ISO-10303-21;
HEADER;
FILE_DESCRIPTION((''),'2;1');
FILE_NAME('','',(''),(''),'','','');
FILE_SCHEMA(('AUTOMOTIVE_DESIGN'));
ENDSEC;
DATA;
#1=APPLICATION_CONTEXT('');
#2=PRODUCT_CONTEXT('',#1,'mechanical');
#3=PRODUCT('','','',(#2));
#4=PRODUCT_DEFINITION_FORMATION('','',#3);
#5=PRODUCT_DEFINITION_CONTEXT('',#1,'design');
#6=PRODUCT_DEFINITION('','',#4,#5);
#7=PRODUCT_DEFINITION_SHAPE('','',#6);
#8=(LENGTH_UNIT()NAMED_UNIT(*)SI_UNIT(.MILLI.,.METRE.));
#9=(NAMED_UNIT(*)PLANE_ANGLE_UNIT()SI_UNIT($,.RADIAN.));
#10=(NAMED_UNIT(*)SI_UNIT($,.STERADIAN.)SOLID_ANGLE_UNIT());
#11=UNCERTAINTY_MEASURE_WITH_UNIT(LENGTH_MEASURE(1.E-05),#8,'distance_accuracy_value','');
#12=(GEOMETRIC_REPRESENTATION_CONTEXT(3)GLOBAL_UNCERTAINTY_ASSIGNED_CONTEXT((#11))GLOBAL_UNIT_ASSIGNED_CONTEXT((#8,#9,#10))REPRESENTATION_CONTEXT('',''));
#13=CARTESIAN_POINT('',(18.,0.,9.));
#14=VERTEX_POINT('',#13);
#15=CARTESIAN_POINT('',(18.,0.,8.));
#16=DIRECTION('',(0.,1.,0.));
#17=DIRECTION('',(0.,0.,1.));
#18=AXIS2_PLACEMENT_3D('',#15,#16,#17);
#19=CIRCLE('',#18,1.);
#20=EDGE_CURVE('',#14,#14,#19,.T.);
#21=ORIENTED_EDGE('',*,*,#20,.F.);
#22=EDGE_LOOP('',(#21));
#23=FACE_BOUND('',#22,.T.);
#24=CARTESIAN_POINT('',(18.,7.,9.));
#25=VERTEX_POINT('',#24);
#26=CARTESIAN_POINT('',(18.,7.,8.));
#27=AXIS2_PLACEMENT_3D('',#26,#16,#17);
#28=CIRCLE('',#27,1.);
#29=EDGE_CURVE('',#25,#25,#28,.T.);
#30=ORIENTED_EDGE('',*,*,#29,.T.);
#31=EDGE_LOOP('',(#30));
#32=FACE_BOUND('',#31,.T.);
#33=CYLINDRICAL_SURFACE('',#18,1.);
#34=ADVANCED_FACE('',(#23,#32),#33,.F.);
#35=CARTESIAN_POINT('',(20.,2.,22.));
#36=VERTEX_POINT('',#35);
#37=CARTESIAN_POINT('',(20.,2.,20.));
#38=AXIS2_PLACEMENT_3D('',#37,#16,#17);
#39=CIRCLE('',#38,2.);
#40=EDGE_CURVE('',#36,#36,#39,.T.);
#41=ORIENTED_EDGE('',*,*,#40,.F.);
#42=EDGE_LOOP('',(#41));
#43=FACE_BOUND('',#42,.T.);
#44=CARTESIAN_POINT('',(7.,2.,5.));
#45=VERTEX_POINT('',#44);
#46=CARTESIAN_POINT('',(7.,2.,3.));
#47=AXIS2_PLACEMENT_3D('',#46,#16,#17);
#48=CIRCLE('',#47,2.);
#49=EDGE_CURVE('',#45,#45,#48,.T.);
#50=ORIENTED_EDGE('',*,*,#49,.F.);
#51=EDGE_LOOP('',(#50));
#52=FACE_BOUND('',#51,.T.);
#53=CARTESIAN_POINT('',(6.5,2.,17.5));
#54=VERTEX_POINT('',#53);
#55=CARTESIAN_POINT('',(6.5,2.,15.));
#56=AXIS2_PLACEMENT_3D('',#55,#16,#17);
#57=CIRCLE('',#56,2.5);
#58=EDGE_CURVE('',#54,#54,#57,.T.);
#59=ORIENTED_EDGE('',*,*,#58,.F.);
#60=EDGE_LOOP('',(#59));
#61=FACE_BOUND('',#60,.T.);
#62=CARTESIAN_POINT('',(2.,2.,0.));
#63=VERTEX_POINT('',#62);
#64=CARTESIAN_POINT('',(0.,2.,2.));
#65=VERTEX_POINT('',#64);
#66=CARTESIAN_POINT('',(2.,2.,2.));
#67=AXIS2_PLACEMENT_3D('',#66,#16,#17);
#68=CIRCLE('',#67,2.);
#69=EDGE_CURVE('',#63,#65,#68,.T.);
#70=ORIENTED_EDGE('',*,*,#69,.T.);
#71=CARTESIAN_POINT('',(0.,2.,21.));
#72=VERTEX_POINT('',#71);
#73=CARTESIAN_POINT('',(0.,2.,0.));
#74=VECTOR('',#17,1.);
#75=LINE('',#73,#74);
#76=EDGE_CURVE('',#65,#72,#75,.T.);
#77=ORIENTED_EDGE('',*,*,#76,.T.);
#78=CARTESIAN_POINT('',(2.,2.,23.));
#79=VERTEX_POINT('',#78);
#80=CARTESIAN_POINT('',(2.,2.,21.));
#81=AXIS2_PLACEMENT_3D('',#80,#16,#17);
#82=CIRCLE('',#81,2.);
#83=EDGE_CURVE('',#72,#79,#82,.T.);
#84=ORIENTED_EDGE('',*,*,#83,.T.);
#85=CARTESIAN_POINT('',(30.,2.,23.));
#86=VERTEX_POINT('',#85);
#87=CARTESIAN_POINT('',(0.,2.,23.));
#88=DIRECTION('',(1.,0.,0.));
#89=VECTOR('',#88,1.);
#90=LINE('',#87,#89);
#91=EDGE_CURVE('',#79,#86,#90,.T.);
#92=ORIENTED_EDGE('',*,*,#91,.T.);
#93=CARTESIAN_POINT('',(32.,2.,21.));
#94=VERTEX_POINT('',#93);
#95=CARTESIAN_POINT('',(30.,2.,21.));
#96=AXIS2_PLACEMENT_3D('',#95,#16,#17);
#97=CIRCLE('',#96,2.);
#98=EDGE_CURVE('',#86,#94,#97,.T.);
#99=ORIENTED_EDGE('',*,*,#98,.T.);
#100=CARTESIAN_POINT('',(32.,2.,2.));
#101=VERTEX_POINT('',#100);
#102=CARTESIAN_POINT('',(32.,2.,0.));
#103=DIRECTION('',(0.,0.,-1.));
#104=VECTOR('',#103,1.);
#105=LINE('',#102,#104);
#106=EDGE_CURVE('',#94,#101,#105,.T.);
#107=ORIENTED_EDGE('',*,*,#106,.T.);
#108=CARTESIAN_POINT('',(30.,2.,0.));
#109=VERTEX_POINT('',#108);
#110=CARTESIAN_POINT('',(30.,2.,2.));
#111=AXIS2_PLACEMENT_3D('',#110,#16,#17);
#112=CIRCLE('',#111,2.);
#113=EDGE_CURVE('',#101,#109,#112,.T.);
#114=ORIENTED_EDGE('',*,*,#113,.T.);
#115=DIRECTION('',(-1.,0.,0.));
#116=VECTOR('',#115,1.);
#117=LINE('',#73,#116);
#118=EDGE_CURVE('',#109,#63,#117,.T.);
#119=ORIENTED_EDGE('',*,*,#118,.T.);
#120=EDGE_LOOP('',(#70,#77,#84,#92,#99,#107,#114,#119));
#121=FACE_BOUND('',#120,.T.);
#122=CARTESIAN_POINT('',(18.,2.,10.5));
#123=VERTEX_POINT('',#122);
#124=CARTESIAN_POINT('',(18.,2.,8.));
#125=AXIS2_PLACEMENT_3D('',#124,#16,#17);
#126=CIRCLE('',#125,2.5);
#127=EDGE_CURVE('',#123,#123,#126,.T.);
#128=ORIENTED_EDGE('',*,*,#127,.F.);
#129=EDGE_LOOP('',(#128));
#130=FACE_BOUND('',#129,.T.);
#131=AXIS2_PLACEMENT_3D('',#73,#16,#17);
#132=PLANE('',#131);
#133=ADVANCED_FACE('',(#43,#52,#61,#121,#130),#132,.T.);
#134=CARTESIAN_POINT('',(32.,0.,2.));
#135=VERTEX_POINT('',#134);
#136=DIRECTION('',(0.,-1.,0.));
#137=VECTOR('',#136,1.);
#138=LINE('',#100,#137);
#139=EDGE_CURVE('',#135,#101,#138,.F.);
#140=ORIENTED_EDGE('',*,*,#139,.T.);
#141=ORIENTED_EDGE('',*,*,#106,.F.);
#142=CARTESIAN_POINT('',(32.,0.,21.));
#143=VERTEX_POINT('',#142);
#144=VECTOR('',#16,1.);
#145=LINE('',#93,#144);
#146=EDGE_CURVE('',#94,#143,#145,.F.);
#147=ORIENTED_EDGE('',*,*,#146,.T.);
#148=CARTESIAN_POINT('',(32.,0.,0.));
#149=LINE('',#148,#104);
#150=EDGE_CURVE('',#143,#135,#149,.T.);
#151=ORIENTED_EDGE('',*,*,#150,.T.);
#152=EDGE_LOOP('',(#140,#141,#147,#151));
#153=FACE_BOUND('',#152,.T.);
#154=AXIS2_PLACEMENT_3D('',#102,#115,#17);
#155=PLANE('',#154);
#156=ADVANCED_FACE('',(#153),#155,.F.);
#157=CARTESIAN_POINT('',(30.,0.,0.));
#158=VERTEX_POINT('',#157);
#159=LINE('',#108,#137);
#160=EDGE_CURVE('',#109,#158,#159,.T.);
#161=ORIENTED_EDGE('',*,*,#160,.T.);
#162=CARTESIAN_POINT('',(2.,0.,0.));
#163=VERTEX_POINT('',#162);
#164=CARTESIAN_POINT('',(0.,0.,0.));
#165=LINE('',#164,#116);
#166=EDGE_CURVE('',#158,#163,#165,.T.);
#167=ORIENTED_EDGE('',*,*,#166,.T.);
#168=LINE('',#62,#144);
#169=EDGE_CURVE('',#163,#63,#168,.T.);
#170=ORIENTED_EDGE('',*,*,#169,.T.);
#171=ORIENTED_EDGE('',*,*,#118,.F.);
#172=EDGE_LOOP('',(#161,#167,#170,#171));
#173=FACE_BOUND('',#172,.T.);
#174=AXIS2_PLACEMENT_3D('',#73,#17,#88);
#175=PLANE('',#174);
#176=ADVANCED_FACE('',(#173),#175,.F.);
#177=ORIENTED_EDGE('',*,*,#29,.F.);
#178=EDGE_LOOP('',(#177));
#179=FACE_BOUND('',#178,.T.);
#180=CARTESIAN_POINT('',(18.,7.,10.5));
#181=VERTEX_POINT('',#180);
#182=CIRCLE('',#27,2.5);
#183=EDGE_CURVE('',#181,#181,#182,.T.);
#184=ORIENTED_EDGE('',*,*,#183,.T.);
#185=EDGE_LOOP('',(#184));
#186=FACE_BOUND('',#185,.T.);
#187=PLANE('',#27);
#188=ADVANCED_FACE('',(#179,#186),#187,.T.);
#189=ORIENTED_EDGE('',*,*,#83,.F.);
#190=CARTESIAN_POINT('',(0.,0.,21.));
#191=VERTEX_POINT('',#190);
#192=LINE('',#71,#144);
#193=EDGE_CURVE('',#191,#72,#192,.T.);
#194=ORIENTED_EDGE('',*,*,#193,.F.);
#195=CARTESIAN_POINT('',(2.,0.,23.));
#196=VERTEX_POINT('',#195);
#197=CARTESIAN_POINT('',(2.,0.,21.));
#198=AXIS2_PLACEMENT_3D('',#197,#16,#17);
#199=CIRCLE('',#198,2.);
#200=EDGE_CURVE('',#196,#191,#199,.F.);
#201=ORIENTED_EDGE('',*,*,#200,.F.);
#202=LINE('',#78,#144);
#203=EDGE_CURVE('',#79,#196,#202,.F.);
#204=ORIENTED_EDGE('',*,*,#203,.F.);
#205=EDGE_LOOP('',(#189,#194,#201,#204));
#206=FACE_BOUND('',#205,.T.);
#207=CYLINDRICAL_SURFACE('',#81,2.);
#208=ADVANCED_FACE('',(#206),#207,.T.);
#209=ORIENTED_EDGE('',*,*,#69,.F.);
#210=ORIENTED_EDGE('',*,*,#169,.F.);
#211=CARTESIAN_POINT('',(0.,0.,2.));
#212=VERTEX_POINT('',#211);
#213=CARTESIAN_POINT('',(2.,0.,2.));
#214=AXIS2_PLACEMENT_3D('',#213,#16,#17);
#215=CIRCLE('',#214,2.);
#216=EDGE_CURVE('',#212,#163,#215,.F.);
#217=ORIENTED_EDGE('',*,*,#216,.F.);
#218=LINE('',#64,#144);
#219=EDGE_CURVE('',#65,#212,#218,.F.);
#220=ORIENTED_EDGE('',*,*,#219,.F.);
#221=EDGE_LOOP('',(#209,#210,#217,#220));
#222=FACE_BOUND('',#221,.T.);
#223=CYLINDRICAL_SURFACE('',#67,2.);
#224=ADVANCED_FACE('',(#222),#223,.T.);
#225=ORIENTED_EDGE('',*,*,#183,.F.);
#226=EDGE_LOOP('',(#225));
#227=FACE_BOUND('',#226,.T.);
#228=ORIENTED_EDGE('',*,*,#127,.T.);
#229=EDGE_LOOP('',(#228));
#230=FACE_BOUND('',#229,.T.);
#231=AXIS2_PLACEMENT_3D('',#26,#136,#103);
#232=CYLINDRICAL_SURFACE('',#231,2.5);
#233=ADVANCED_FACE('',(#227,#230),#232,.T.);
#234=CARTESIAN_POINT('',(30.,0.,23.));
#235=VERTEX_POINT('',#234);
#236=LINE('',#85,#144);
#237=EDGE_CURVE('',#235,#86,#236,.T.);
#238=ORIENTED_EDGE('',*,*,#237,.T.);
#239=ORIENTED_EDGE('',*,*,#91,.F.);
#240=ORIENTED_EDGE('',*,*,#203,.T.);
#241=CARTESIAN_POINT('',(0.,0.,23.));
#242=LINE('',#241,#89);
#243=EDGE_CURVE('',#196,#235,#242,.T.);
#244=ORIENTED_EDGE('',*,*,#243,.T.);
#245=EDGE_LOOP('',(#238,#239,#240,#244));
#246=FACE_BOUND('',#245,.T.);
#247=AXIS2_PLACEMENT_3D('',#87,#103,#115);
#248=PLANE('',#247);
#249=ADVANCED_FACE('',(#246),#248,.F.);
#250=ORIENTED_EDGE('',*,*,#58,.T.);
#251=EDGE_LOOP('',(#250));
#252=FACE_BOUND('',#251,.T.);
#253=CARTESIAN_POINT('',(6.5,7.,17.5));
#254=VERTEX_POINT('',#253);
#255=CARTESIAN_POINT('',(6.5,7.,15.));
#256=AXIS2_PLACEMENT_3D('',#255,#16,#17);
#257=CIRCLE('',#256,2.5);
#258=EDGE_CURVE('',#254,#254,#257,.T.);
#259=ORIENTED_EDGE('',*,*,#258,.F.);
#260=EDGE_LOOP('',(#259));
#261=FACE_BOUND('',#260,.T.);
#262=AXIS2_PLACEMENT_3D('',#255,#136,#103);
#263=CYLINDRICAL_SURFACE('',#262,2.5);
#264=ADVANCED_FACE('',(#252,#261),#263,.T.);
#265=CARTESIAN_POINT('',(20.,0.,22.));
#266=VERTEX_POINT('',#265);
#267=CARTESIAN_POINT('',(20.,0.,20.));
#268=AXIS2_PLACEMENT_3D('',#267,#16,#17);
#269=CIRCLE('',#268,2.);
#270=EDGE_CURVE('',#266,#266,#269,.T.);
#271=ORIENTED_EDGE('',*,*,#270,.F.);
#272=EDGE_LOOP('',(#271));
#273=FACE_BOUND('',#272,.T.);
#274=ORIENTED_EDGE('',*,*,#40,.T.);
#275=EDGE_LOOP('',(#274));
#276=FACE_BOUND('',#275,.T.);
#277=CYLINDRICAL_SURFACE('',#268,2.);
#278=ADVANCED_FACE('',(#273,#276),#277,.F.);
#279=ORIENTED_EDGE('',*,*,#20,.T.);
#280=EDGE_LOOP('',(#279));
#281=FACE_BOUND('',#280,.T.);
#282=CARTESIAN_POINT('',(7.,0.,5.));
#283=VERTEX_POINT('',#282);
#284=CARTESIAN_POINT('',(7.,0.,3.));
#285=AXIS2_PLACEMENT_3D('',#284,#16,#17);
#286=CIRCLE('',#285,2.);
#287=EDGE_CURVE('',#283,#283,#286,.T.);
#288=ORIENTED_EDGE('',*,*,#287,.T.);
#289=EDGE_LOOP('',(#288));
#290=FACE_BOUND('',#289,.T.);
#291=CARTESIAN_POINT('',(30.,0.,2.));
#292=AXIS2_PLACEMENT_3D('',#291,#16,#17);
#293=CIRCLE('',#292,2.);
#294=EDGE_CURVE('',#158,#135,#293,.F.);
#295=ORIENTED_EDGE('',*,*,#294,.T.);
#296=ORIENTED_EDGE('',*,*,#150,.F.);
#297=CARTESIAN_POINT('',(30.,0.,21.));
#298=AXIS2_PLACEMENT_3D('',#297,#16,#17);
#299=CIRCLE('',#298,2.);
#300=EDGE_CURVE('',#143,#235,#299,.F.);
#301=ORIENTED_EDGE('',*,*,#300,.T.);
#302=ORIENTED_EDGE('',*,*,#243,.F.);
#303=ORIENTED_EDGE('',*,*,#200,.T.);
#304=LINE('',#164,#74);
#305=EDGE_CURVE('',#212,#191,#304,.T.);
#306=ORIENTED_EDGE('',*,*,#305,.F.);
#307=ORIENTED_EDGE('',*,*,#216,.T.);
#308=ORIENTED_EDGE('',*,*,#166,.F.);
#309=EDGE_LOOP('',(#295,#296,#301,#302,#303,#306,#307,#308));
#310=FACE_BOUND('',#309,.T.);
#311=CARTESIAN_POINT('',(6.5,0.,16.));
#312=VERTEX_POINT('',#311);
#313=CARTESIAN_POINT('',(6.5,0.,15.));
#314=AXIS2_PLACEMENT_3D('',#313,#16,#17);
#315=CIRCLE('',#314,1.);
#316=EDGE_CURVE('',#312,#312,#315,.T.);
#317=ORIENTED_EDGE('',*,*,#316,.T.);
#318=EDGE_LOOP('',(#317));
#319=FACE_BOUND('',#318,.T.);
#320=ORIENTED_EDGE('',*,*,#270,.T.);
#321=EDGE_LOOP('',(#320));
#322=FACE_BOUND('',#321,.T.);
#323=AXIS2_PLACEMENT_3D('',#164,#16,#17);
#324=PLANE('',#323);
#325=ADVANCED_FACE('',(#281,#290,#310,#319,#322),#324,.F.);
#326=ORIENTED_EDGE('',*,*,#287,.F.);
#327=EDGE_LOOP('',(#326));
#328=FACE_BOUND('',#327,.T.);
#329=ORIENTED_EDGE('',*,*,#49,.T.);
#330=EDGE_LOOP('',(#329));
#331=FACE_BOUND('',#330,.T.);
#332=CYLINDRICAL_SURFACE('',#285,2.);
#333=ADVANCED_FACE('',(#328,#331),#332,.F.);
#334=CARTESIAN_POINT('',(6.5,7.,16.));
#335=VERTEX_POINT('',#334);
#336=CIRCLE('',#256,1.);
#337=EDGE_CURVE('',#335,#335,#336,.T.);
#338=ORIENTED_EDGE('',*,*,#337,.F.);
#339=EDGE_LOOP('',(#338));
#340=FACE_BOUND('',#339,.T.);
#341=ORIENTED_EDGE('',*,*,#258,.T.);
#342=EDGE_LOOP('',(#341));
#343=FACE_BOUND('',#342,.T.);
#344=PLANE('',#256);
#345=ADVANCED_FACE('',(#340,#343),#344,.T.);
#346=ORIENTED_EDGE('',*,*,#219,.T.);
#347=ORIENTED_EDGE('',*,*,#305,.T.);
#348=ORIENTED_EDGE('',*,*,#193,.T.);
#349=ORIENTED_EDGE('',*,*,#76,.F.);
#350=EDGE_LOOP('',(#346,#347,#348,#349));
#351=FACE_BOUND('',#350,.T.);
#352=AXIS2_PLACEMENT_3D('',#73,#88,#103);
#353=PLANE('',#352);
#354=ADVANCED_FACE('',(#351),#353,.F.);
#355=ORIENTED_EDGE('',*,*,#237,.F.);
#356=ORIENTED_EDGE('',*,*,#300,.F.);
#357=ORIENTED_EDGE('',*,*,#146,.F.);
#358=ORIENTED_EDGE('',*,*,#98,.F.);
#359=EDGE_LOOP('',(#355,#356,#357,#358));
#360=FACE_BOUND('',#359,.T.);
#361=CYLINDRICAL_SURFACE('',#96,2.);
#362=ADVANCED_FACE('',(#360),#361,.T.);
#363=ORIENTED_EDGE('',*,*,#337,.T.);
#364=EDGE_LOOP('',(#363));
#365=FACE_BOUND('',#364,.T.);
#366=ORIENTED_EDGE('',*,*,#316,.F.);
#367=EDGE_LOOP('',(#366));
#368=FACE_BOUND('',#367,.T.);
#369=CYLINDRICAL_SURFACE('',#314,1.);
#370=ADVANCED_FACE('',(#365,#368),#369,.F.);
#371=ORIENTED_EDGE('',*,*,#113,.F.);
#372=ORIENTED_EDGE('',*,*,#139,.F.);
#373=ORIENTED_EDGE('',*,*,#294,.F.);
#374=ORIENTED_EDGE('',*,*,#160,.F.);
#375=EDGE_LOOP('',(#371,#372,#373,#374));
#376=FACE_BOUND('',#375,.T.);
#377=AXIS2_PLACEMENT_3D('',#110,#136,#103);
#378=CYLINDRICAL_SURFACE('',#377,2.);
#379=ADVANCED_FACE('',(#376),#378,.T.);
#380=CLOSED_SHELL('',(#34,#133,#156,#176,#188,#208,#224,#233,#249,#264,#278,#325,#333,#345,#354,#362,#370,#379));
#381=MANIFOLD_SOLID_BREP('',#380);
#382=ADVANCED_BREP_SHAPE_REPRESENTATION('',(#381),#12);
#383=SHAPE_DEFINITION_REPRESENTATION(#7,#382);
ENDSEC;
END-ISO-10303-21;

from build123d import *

# Parameters (mm, degrees)
SKETCH_1_W          = 32
SKETCH_1_H          = 23
EXTRUDE_1_DEPTH     = 2
SKETCH_4_R          = 2.5
EXTRUDE_2_DEPTH     = 5
SKETCH_5_R          = 1
CUT_EXTRUDE_1_DEPTH = 8
SKETCH_7_R          = 2
CUT_EXTRUDE_2_DEPTH = 3
FILLET_1_R          = 2
FILLET_2_R          = 2
FILLET_3_R          = 2
FILLET_4_R          = 2


with BuildPart() as part:
    # Эскиз1 → Бобышка-Вытянуть1 (new body)
    with BuildSketch(Plane(origin=(0, 0, 0), x_dir=(1, 0, 0), z_dir=(0, 1, 0))):
        with Locations((16, -11.5)):
            Rectangle(SKETCH_1_W, SKETCH_1_H)
    extrude(amount=EXTRUDE_1_DEPTH)

    # Эскиз4 → Бобышка-Вытянуть2 (add)
    with BuildSketch(Plane(origin=(0, 2, 0), x_dir=(1, 0, 0), z_dir=(0, 1, 0))):
        with Locations((18, -8)):
            Circle(SKETCH_4_R)
        with Locations((6.5, -15)):
            Circle(SKETCH_4_R)
    extrude(amount=EXTRUDE_2_DEPTH)

    # Эскиз5 → Вырез-Вытянуть1 (cut, through all)
    with BuildSketch(Plane(origin=(0, 7, 0), x_dir=(1, 0, 0), z_dir=(0, 1, 0))):
        with Locations((6.5, -15)):
            Circle(SKETCH_5_R)
        with Locations((18, -8)):
            Circle(SKETCH_5_R)
    extrude(amount=-CUT_EXTRUDE_1_DEPTH, mode=Mode.SUBTRACT)

    # Эскиз7 → Вырез-Вытянуть2 (cut, through all)
    with BuildSketch(Plane(origin=(0, 2, 0), x_dir=(1, 0, 0), z_dir=(0, 1, 0))):
        with Locations((7, -3)):
            Circle(SKETCH_7_R)
        with Locations((20, -20)):
            Circle(SKETCH_7_R)
    extrude(amount=-CUT_EXTRUDE_2_DEPTH, mode=Mode.SUBTRACT)

    # Скругление1
    fillet_1_edges = [part.edges().sort_by_distance(p)[0] for p in [
        (0, 1, 0),
    ]]
    fillet(fillet_1_edges, radius=FILLET_1_R)

    # Скругление2
    fillet_2_edges = [part.edges().sort_by_distance(p)[0] for p in [
        (0, 1, 23),
    ]]
    fillet(fillet_2_edges, radius=FILLET_2_R)

    # Скругление3
    fillet_3_edges = [part.edges().sort_by_distance(p)[0] for p in [
        (32, 1, 23),
    ]]
    fillet(fillet_3_edges, radius=FILLET_3_R)

    # Скругление4
    fillet_4_edges = [part.edges().sort_by_distance(p)[0] for p in [
        (32, 1, 0),
    ]]
    fillet(fillet_4_edges, radius=FILLET_4_R)


solid = part.part
